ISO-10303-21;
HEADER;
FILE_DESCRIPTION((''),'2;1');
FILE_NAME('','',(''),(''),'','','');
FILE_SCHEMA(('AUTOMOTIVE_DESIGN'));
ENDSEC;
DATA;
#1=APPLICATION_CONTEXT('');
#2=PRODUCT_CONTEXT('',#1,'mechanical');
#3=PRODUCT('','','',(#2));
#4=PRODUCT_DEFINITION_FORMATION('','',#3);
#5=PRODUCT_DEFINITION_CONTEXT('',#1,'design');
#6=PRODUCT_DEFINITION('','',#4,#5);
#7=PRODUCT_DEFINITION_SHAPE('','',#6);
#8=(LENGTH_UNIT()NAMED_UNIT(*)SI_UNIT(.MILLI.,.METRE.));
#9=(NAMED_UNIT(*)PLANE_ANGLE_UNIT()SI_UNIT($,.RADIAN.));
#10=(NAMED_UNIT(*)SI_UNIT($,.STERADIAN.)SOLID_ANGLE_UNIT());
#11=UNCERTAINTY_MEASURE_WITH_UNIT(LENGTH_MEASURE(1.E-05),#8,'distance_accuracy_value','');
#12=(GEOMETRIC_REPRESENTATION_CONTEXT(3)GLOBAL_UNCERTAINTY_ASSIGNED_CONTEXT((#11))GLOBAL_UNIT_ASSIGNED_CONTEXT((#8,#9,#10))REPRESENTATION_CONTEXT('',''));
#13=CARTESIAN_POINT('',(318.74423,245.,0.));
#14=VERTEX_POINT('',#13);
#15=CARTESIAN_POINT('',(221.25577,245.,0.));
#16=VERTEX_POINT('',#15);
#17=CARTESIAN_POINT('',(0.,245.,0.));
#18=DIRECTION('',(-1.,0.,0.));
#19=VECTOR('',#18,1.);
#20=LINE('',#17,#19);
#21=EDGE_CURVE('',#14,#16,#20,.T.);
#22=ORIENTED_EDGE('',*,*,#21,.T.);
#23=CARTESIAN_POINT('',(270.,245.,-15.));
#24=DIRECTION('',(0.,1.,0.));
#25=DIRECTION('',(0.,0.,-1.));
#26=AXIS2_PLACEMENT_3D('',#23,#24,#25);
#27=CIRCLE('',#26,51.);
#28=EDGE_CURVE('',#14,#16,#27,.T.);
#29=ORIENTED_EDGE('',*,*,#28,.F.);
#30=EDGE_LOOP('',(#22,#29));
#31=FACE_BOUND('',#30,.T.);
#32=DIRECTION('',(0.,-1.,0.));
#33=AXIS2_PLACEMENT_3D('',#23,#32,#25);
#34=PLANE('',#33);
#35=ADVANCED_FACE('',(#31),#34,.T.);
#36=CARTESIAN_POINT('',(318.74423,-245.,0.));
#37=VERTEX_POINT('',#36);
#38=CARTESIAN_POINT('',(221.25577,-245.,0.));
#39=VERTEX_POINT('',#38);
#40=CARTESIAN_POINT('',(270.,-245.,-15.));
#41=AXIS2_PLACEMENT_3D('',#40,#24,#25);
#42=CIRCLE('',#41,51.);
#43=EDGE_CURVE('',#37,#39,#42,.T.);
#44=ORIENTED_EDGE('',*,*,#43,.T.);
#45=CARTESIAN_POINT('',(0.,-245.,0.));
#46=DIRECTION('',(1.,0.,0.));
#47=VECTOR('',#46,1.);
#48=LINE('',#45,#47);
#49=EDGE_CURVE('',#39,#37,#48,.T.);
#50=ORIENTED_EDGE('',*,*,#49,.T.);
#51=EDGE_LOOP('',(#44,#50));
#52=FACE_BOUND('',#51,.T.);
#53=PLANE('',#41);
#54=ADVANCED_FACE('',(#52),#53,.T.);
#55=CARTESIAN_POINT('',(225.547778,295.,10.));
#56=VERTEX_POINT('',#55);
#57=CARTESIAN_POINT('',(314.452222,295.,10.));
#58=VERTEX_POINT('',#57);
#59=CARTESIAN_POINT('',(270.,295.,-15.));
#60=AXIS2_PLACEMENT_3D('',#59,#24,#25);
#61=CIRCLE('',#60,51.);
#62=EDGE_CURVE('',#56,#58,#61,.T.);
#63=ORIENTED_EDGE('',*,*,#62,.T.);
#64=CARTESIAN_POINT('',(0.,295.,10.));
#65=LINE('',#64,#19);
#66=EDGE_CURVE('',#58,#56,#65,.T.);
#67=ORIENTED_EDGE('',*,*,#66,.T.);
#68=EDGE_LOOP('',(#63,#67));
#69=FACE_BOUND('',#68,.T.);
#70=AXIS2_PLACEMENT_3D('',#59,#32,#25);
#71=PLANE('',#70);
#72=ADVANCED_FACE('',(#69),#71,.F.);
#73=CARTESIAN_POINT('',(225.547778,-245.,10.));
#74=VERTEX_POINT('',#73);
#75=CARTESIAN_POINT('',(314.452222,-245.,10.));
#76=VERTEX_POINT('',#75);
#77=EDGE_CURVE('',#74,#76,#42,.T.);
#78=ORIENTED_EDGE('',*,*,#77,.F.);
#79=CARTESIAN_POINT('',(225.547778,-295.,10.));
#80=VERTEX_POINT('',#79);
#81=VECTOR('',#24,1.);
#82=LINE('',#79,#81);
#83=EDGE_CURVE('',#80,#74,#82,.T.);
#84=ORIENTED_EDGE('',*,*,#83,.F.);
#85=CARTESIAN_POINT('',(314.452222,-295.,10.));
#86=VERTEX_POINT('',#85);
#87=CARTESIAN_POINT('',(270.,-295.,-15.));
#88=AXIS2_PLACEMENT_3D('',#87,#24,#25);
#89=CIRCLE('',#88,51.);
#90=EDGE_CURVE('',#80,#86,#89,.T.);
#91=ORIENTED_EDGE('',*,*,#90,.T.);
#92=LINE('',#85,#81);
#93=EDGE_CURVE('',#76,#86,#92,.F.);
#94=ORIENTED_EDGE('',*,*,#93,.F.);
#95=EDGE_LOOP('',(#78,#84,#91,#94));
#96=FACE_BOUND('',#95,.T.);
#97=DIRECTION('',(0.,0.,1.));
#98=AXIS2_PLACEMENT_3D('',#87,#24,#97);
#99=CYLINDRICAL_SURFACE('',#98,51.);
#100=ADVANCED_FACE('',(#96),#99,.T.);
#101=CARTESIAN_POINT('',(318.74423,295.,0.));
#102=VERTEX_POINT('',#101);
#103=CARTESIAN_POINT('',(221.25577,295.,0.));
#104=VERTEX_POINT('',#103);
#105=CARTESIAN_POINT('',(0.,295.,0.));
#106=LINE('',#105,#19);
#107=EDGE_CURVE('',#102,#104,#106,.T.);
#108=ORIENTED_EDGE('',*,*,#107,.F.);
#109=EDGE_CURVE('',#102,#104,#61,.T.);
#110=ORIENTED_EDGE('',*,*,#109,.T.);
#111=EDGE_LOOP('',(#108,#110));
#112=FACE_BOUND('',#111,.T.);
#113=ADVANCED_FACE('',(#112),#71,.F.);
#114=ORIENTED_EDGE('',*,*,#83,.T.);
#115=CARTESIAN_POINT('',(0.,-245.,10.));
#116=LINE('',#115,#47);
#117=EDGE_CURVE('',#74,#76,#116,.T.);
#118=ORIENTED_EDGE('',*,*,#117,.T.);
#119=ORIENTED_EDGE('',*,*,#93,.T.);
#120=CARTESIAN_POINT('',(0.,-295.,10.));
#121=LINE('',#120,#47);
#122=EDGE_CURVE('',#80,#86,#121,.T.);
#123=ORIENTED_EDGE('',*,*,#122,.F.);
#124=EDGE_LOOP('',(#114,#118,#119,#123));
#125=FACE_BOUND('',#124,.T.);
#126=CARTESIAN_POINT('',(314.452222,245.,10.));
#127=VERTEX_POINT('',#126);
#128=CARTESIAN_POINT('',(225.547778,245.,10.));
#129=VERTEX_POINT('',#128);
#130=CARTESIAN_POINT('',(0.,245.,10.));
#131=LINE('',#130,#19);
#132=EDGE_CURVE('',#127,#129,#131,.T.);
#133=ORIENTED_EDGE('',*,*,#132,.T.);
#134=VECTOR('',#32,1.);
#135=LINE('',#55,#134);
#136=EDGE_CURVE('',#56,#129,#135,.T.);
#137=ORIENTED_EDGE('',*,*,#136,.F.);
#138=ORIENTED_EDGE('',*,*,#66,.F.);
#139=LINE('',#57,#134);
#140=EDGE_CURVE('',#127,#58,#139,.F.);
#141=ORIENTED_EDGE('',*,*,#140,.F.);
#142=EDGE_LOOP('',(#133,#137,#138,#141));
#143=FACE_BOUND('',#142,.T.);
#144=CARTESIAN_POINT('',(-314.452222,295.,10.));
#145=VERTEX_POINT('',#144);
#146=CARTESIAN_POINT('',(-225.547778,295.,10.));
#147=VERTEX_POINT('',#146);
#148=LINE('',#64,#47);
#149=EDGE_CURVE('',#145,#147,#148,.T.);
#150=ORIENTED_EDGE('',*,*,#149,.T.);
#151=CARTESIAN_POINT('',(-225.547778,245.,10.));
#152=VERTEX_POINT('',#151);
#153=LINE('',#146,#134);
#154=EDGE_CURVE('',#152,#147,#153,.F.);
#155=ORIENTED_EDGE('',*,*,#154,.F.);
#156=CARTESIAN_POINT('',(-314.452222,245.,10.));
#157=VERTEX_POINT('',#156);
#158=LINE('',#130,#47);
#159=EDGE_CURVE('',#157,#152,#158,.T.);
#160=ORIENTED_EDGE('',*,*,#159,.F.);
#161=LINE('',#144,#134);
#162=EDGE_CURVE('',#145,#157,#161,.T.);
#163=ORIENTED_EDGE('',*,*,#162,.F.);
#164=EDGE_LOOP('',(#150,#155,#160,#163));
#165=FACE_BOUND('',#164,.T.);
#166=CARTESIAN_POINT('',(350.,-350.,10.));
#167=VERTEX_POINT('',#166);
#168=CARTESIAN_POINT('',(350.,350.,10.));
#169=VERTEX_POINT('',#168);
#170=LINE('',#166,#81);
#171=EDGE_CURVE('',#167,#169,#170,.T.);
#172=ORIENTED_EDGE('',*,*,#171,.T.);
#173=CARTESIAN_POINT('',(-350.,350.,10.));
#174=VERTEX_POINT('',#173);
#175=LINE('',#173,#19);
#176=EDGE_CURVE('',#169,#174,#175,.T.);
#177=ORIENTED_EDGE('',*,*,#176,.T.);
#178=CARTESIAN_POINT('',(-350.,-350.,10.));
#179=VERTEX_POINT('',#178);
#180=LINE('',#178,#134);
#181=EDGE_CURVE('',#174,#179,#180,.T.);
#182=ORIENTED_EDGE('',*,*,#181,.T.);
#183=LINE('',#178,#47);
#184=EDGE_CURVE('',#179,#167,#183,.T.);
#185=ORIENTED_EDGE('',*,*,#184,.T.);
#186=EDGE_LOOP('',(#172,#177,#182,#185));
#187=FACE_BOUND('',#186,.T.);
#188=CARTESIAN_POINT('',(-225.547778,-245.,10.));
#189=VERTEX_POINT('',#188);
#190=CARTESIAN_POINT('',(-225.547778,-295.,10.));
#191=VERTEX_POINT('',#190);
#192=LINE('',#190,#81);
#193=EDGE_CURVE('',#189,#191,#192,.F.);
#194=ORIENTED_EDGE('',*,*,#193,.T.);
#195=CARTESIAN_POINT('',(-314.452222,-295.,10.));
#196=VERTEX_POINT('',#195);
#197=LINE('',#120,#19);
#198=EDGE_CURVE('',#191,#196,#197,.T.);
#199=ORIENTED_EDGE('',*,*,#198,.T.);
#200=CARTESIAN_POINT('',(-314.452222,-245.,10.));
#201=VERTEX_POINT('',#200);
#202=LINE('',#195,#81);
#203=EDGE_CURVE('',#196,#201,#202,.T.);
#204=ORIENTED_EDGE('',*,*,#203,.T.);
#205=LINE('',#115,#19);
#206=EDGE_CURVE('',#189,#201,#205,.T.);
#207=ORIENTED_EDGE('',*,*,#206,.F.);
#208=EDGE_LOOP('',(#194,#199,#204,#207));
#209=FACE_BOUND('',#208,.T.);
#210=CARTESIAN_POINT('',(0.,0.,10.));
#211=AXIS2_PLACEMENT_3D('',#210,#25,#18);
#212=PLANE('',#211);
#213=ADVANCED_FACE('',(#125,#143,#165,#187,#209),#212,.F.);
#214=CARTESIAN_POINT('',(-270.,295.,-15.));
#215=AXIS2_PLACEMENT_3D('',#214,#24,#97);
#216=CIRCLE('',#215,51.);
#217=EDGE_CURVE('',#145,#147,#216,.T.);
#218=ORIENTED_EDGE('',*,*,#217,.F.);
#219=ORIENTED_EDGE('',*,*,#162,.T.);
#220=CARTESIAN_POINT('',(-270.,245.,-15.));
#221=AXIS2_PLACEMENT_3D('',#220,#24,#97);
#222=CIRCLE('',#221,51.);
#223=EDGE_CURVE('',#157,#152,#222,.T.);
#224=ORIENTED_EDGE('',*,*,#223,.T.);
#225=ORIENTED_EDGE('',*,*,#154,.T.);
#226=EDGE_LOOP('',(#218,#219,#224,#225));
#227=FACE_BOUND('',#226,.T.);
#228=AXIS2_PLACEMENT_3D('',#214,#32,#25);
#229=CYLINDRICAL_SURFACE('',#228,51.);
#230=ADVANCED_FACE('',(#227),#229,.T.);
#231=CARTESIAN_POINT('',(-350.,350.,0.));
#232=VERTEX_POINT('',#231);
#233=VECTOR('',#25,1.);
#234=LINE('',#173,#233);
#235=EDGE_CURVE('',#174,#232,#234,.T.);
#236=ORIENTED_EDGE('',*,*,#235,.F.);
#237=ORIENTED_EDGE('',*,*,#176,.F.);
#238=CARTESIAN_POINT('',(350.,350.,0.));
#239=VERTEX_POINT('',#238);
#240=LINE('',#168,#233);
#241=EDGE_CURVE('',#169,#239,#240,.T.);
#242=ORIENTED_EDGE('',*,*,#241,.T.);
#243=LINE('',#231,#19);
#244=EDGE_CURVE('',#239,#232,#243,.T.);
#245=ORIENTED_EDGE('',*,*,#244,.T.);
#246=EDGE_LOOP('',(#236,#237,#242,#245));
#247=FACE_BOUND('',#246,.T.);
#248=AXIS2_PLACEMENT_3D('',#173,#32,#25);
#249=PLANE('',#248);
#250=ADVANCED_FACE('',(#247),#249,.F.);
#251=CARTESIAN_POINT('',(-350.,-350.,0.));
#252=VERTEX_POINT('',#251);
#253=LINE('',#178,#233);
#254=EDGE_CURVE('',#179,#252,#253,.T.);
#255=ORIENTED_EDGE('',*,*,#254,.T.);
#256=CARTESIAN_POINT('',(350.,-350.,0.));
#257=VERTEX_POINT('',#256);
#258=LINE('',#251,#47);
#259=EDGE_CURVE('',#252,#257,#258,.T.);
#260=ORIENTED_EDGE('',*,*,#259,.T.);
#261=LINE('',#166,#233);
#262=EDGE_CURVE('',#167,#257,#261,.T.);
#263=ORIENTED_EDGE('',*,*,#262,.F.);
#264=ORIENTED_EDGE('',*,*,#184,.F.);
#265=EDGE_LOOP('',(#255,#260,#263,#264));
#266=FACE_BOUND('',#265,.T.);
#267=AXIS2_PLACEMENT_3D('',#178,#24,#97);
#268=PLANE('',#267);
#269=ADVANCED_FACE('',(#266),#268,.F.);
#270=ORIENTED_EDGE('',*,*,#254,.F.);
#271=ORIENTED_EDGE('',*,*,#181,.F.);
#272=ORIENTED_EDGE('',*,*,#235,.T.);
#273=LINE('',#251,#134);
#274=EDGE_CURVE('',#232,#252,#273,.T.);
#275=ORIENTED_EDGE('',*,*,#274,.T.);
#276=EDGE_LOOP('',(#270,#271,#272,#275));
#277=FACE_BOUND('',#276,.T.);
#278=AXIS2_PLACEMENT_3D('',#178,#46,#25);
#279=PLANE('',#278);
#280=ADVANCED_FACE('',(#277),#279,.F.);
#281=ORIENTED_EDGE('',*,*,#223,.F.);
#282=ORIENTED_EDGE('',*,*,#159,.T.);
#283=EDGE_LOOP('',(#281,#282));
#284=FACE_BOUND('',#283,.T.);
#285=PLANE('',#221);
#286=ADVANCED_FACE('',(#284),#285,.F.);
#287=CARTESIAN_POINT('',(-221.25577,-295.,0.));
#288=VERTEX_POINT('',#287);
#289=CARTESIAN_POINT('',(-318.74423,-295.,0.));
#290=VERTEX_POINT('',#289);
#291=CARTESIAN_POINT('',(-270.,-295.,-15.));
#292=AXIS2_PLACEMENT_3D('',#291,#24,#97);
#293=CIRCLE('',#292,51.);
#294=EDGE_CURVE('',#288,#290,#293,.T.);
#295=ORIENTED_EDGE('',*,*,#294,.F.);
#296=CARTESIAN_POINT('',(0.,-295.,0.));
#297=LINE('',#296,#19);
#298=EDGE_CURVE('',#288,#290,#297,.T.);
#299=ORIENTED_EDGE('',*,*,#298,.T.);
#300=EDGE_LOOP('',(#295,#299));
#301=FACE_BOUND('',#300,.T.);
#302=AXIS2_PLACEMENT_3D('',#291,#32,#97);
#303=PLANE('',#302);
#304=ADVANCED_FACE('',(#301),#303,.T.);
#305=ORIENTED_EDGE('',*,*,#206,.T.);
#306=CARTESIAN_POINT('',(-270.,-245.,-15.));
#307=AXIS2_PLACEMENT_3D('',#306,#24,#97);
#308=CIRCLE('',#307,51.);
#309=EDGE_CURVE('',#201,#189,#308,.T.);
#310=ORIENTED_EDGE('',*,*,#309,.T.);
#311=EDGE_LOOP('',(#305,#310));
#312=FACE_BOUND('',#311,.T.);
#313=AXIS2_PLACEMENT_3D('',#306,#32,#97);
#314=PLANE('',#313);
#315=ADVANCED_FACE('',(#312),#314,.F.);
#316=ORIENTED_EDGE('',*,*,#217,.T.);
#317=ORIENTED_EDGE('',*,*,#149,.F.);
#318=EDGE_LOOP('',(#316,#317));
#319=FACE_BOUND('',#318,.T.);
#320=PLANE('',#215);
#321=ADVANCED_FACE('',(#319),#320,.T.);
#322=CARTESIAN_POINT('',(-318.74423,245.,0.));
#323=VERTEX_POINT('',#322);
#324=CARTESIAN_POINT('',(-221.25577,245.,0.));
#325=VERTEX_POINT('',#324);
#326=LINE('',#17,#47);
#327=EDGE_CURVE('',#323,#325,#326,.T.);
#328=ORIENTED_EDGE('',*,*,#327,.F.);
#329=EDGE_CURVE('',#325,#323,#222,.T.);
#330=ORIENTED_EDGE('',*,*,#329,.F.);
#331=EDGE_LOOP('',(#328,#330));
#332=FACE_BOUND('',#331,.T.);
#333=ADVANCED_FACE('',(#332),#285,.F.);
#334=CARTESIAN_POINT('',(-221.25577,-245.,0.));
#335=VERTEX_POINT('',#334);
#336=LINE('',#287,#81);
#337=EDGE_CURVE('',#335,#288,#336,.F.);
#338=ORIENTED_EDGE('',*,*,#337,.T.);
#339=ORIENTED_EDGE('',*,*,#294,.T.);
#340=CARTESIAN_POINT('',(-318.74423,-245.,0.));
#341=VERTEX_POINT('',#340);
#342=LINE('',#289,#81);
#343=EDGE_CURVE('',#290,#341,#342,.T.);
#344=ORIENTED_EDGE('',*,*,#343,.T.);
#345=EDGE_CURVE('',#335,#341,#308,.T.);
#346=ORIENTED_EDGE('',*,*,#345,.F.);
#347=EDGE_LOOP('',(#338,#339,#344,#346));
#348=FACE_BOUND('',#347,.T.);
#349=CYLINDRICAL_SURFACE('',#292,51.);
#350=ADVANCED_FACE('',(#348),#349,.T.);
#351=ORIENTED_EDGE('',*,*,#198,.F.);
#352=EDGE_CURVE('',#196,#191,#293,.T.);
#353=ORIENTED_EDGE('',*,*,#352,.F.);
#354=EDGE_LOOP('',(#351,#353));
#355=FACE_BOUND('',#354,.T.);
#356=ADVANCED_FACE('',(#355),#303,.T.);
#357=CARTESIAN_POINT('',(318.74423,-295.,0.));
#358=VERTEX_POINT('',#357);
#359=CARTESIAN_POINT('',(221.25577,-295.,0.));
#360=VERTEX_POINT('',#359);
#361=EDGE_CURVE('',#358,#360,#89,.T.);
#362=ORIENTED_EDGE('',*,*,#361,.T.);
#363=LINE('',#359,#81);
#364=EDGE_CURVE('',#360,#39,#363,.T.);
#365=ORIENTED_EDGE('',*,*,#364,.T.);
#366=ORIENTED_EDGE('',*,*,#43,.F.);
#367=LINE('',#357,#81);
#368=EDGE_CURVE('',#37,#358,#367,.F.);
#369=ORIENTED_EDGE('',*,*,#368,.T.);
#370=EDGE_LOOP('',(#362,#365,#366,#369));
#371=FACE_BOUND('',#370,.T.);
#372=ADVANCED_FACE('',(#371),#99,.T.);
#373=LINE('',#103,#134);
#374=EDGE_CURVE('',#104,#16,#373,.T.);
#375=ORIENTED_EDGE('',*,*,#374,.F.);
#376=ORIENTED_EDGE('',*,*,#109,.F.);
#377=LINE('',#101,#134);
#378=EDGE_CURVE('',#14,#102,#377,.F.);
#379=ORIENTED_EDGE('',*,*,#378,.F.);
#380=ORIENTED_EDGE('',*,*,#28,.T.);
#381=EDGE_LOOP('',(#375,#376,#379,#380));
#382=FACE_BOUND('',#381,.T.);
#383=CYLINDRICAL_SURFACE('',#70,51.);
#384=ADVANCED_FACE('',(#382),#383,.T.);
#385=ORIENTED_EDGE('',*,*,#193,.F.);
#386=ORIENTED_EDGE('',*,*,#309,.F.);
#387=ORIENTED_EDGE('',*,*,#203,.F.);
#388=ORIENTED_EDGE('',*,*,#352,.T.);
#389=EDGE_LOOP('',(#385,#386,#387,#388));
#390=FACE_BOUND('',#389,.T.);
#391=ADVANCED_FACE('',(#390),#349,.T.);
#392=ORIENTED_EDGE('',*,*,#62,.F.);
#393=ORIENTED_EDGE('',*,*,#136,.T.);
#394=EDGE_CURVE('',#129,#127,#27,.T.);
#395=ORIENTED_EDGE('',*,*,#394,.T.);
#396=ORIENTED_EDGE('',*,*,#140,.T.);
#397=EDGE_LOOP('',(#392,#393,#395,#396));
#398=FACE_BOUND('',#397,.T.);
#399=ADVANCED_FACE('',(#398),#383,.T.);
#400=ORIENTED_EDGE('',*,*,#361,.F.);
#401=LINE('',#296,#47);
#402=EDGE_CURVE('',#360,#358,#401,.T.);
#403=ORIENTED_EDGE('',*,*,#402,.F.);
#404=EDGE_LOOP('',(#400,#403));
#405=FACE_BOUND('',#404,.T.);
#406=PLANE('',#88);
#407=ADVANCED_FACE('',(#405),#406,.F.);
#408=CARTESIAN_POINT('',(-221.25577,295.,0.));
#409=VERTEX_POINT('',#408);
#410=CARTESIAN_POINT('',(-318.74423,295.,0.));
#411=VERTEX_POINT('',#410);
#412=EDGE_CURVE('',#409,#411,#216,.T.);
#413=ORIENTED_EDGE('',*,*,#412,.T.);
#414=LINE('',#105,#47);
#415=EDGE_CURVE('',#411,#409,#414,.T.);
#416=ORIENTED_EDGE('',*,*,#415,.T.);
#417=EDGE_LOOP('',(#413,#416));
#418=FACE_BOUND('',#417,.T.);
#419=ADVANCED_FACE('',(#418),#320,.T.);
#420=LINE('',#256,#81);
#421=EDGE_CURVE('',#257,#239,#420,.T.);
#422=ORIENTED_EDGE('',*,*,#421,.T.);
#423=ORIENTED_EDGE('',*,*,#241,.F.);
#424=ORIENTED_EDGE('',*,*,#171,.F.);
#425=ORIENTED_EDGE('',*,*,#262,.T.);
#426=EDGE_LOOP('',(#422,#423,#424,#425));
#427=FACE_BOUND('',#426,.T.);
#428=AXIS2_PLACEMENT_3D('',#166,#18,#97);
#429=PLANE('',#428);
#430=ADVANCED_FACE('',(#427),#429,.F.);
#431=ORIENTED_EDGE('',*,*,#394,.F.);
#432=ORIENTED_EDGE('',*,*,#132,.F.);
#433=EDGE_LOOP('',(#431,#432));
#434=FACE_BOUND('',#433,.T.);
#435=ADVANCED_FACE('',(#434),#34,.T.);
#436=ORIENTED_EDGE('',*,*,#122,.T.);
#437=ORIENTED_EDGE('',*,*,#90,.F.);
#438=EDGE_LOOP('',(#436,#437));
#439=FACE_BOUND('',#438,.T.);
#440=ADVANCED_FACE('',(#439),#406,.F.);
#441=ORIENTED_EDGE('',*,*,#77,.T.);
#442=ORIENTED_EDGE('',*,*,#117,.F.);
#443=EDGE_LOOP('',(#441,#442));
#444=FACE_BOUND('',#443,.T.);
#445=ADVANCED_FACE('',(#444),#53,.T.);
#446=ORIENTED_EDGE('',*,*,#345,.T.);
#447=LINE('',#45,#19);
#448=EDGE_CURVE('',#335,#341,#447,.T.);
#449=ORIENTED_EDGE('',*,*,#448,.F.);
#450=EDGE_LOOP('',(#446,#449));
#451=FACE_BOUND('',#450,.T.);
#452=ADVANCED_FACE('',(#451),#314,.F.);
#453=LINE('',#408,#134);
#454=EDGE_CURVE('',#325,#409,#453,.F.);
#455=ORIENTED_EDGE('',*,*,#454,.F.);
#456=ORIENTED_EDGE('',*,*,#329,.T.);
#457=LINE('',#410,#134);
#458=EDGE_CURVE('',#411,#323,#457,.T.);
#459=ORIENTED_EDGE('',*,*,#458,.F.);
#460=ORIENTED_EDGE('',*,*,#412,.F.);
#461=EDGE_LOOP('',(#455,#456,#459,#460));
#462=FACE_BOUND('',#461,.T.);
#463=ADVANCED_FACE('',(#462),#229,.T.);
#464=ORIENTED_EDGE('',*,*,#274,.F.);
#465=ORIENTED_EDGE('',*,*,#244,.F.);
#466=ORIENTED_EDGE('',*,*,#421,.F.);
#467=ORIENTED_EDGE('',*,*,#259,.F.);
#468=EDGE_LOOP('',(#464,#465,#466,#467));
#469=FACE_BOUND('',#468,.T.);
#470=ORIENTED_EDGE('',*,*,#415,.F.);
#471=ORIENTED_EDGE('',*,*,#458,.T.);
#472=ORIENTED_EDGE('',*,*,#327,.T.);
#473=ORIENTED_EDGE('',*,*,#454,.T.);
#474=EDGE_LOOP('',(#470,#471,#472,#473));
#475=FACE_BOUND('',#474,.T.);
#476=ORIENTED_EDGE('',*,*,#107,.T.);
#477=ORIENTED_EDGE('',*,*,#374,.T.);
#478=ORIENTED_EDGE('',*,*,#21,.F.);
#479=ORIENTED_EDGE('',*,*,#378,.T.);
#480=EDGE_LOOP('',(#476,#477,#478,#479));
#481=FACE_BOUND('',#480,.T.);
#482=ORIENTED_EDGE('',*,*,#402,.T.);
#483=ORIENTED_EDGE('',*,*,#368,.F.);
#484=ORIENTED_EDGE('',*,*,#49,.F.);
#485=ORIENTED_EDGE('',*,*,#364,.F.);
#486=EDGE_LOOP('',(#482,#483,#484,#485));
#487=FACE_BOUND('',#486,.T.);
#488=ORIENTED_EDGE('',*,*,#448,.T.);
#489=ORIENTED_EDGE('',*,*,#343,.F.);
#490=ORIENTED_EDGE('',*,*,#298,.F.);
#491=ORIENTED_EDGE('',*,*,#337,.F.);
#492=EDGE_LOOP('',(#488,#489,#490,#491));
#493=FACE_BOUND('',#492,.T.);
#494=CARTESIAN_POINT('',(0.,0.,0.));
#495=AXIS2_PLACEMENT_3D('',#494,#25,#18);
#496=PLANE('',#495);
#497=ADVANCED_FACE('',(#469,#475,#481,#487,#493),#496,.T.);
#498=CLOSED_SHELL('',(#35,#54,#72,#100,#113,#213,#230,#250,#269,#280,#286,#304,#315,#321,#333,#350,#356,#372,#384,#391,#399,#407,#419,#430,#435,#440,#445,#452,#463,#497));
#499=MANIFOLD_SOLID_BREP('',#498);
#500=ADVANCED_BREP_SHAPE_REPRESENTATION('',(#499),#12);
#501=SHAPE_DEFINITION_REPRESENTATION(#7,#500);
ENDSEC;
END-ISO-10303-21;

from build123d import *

# Parameters (mm, degrees)
SKETCH_1_W      = 700
SKETCH_1_H      = 700
EXTRUDE_1_DEPTH = 10
SKETCH_2_R      = 51
EXTRUDE_2_DEPTH = 25


with BuildPart() as part:
    # 草图1 → 凸台-拉伸1 (new body)
    with BuildSketch(Plane.XY):
        Rectangle(SKETCH_1_W, SKETCH_1_H)
    extrude(amount=EXTRUDE_1_DEPTH)

    # 草图2 → 凸台-拉伸2 (add, symmetric)
    with BuildSketch(Plane(origin=(0, 270, 0), x_dir=(1, 0, 0), z_dir=(0, 1, 0))):
        with Locations((-270, 15)):
            Circle(SKETCH_2_R)
        with Locations((270, 15)):
            Circle(SKETCH_2_R)
    extrude_2 = extrude(amount=EXTRUDE_2_DEPTH, both=True)

    # 镜向1: 凸台-拉伸2 across plane
    add(extrude_2.mirror(Plane.ZX))


solid = part.part
